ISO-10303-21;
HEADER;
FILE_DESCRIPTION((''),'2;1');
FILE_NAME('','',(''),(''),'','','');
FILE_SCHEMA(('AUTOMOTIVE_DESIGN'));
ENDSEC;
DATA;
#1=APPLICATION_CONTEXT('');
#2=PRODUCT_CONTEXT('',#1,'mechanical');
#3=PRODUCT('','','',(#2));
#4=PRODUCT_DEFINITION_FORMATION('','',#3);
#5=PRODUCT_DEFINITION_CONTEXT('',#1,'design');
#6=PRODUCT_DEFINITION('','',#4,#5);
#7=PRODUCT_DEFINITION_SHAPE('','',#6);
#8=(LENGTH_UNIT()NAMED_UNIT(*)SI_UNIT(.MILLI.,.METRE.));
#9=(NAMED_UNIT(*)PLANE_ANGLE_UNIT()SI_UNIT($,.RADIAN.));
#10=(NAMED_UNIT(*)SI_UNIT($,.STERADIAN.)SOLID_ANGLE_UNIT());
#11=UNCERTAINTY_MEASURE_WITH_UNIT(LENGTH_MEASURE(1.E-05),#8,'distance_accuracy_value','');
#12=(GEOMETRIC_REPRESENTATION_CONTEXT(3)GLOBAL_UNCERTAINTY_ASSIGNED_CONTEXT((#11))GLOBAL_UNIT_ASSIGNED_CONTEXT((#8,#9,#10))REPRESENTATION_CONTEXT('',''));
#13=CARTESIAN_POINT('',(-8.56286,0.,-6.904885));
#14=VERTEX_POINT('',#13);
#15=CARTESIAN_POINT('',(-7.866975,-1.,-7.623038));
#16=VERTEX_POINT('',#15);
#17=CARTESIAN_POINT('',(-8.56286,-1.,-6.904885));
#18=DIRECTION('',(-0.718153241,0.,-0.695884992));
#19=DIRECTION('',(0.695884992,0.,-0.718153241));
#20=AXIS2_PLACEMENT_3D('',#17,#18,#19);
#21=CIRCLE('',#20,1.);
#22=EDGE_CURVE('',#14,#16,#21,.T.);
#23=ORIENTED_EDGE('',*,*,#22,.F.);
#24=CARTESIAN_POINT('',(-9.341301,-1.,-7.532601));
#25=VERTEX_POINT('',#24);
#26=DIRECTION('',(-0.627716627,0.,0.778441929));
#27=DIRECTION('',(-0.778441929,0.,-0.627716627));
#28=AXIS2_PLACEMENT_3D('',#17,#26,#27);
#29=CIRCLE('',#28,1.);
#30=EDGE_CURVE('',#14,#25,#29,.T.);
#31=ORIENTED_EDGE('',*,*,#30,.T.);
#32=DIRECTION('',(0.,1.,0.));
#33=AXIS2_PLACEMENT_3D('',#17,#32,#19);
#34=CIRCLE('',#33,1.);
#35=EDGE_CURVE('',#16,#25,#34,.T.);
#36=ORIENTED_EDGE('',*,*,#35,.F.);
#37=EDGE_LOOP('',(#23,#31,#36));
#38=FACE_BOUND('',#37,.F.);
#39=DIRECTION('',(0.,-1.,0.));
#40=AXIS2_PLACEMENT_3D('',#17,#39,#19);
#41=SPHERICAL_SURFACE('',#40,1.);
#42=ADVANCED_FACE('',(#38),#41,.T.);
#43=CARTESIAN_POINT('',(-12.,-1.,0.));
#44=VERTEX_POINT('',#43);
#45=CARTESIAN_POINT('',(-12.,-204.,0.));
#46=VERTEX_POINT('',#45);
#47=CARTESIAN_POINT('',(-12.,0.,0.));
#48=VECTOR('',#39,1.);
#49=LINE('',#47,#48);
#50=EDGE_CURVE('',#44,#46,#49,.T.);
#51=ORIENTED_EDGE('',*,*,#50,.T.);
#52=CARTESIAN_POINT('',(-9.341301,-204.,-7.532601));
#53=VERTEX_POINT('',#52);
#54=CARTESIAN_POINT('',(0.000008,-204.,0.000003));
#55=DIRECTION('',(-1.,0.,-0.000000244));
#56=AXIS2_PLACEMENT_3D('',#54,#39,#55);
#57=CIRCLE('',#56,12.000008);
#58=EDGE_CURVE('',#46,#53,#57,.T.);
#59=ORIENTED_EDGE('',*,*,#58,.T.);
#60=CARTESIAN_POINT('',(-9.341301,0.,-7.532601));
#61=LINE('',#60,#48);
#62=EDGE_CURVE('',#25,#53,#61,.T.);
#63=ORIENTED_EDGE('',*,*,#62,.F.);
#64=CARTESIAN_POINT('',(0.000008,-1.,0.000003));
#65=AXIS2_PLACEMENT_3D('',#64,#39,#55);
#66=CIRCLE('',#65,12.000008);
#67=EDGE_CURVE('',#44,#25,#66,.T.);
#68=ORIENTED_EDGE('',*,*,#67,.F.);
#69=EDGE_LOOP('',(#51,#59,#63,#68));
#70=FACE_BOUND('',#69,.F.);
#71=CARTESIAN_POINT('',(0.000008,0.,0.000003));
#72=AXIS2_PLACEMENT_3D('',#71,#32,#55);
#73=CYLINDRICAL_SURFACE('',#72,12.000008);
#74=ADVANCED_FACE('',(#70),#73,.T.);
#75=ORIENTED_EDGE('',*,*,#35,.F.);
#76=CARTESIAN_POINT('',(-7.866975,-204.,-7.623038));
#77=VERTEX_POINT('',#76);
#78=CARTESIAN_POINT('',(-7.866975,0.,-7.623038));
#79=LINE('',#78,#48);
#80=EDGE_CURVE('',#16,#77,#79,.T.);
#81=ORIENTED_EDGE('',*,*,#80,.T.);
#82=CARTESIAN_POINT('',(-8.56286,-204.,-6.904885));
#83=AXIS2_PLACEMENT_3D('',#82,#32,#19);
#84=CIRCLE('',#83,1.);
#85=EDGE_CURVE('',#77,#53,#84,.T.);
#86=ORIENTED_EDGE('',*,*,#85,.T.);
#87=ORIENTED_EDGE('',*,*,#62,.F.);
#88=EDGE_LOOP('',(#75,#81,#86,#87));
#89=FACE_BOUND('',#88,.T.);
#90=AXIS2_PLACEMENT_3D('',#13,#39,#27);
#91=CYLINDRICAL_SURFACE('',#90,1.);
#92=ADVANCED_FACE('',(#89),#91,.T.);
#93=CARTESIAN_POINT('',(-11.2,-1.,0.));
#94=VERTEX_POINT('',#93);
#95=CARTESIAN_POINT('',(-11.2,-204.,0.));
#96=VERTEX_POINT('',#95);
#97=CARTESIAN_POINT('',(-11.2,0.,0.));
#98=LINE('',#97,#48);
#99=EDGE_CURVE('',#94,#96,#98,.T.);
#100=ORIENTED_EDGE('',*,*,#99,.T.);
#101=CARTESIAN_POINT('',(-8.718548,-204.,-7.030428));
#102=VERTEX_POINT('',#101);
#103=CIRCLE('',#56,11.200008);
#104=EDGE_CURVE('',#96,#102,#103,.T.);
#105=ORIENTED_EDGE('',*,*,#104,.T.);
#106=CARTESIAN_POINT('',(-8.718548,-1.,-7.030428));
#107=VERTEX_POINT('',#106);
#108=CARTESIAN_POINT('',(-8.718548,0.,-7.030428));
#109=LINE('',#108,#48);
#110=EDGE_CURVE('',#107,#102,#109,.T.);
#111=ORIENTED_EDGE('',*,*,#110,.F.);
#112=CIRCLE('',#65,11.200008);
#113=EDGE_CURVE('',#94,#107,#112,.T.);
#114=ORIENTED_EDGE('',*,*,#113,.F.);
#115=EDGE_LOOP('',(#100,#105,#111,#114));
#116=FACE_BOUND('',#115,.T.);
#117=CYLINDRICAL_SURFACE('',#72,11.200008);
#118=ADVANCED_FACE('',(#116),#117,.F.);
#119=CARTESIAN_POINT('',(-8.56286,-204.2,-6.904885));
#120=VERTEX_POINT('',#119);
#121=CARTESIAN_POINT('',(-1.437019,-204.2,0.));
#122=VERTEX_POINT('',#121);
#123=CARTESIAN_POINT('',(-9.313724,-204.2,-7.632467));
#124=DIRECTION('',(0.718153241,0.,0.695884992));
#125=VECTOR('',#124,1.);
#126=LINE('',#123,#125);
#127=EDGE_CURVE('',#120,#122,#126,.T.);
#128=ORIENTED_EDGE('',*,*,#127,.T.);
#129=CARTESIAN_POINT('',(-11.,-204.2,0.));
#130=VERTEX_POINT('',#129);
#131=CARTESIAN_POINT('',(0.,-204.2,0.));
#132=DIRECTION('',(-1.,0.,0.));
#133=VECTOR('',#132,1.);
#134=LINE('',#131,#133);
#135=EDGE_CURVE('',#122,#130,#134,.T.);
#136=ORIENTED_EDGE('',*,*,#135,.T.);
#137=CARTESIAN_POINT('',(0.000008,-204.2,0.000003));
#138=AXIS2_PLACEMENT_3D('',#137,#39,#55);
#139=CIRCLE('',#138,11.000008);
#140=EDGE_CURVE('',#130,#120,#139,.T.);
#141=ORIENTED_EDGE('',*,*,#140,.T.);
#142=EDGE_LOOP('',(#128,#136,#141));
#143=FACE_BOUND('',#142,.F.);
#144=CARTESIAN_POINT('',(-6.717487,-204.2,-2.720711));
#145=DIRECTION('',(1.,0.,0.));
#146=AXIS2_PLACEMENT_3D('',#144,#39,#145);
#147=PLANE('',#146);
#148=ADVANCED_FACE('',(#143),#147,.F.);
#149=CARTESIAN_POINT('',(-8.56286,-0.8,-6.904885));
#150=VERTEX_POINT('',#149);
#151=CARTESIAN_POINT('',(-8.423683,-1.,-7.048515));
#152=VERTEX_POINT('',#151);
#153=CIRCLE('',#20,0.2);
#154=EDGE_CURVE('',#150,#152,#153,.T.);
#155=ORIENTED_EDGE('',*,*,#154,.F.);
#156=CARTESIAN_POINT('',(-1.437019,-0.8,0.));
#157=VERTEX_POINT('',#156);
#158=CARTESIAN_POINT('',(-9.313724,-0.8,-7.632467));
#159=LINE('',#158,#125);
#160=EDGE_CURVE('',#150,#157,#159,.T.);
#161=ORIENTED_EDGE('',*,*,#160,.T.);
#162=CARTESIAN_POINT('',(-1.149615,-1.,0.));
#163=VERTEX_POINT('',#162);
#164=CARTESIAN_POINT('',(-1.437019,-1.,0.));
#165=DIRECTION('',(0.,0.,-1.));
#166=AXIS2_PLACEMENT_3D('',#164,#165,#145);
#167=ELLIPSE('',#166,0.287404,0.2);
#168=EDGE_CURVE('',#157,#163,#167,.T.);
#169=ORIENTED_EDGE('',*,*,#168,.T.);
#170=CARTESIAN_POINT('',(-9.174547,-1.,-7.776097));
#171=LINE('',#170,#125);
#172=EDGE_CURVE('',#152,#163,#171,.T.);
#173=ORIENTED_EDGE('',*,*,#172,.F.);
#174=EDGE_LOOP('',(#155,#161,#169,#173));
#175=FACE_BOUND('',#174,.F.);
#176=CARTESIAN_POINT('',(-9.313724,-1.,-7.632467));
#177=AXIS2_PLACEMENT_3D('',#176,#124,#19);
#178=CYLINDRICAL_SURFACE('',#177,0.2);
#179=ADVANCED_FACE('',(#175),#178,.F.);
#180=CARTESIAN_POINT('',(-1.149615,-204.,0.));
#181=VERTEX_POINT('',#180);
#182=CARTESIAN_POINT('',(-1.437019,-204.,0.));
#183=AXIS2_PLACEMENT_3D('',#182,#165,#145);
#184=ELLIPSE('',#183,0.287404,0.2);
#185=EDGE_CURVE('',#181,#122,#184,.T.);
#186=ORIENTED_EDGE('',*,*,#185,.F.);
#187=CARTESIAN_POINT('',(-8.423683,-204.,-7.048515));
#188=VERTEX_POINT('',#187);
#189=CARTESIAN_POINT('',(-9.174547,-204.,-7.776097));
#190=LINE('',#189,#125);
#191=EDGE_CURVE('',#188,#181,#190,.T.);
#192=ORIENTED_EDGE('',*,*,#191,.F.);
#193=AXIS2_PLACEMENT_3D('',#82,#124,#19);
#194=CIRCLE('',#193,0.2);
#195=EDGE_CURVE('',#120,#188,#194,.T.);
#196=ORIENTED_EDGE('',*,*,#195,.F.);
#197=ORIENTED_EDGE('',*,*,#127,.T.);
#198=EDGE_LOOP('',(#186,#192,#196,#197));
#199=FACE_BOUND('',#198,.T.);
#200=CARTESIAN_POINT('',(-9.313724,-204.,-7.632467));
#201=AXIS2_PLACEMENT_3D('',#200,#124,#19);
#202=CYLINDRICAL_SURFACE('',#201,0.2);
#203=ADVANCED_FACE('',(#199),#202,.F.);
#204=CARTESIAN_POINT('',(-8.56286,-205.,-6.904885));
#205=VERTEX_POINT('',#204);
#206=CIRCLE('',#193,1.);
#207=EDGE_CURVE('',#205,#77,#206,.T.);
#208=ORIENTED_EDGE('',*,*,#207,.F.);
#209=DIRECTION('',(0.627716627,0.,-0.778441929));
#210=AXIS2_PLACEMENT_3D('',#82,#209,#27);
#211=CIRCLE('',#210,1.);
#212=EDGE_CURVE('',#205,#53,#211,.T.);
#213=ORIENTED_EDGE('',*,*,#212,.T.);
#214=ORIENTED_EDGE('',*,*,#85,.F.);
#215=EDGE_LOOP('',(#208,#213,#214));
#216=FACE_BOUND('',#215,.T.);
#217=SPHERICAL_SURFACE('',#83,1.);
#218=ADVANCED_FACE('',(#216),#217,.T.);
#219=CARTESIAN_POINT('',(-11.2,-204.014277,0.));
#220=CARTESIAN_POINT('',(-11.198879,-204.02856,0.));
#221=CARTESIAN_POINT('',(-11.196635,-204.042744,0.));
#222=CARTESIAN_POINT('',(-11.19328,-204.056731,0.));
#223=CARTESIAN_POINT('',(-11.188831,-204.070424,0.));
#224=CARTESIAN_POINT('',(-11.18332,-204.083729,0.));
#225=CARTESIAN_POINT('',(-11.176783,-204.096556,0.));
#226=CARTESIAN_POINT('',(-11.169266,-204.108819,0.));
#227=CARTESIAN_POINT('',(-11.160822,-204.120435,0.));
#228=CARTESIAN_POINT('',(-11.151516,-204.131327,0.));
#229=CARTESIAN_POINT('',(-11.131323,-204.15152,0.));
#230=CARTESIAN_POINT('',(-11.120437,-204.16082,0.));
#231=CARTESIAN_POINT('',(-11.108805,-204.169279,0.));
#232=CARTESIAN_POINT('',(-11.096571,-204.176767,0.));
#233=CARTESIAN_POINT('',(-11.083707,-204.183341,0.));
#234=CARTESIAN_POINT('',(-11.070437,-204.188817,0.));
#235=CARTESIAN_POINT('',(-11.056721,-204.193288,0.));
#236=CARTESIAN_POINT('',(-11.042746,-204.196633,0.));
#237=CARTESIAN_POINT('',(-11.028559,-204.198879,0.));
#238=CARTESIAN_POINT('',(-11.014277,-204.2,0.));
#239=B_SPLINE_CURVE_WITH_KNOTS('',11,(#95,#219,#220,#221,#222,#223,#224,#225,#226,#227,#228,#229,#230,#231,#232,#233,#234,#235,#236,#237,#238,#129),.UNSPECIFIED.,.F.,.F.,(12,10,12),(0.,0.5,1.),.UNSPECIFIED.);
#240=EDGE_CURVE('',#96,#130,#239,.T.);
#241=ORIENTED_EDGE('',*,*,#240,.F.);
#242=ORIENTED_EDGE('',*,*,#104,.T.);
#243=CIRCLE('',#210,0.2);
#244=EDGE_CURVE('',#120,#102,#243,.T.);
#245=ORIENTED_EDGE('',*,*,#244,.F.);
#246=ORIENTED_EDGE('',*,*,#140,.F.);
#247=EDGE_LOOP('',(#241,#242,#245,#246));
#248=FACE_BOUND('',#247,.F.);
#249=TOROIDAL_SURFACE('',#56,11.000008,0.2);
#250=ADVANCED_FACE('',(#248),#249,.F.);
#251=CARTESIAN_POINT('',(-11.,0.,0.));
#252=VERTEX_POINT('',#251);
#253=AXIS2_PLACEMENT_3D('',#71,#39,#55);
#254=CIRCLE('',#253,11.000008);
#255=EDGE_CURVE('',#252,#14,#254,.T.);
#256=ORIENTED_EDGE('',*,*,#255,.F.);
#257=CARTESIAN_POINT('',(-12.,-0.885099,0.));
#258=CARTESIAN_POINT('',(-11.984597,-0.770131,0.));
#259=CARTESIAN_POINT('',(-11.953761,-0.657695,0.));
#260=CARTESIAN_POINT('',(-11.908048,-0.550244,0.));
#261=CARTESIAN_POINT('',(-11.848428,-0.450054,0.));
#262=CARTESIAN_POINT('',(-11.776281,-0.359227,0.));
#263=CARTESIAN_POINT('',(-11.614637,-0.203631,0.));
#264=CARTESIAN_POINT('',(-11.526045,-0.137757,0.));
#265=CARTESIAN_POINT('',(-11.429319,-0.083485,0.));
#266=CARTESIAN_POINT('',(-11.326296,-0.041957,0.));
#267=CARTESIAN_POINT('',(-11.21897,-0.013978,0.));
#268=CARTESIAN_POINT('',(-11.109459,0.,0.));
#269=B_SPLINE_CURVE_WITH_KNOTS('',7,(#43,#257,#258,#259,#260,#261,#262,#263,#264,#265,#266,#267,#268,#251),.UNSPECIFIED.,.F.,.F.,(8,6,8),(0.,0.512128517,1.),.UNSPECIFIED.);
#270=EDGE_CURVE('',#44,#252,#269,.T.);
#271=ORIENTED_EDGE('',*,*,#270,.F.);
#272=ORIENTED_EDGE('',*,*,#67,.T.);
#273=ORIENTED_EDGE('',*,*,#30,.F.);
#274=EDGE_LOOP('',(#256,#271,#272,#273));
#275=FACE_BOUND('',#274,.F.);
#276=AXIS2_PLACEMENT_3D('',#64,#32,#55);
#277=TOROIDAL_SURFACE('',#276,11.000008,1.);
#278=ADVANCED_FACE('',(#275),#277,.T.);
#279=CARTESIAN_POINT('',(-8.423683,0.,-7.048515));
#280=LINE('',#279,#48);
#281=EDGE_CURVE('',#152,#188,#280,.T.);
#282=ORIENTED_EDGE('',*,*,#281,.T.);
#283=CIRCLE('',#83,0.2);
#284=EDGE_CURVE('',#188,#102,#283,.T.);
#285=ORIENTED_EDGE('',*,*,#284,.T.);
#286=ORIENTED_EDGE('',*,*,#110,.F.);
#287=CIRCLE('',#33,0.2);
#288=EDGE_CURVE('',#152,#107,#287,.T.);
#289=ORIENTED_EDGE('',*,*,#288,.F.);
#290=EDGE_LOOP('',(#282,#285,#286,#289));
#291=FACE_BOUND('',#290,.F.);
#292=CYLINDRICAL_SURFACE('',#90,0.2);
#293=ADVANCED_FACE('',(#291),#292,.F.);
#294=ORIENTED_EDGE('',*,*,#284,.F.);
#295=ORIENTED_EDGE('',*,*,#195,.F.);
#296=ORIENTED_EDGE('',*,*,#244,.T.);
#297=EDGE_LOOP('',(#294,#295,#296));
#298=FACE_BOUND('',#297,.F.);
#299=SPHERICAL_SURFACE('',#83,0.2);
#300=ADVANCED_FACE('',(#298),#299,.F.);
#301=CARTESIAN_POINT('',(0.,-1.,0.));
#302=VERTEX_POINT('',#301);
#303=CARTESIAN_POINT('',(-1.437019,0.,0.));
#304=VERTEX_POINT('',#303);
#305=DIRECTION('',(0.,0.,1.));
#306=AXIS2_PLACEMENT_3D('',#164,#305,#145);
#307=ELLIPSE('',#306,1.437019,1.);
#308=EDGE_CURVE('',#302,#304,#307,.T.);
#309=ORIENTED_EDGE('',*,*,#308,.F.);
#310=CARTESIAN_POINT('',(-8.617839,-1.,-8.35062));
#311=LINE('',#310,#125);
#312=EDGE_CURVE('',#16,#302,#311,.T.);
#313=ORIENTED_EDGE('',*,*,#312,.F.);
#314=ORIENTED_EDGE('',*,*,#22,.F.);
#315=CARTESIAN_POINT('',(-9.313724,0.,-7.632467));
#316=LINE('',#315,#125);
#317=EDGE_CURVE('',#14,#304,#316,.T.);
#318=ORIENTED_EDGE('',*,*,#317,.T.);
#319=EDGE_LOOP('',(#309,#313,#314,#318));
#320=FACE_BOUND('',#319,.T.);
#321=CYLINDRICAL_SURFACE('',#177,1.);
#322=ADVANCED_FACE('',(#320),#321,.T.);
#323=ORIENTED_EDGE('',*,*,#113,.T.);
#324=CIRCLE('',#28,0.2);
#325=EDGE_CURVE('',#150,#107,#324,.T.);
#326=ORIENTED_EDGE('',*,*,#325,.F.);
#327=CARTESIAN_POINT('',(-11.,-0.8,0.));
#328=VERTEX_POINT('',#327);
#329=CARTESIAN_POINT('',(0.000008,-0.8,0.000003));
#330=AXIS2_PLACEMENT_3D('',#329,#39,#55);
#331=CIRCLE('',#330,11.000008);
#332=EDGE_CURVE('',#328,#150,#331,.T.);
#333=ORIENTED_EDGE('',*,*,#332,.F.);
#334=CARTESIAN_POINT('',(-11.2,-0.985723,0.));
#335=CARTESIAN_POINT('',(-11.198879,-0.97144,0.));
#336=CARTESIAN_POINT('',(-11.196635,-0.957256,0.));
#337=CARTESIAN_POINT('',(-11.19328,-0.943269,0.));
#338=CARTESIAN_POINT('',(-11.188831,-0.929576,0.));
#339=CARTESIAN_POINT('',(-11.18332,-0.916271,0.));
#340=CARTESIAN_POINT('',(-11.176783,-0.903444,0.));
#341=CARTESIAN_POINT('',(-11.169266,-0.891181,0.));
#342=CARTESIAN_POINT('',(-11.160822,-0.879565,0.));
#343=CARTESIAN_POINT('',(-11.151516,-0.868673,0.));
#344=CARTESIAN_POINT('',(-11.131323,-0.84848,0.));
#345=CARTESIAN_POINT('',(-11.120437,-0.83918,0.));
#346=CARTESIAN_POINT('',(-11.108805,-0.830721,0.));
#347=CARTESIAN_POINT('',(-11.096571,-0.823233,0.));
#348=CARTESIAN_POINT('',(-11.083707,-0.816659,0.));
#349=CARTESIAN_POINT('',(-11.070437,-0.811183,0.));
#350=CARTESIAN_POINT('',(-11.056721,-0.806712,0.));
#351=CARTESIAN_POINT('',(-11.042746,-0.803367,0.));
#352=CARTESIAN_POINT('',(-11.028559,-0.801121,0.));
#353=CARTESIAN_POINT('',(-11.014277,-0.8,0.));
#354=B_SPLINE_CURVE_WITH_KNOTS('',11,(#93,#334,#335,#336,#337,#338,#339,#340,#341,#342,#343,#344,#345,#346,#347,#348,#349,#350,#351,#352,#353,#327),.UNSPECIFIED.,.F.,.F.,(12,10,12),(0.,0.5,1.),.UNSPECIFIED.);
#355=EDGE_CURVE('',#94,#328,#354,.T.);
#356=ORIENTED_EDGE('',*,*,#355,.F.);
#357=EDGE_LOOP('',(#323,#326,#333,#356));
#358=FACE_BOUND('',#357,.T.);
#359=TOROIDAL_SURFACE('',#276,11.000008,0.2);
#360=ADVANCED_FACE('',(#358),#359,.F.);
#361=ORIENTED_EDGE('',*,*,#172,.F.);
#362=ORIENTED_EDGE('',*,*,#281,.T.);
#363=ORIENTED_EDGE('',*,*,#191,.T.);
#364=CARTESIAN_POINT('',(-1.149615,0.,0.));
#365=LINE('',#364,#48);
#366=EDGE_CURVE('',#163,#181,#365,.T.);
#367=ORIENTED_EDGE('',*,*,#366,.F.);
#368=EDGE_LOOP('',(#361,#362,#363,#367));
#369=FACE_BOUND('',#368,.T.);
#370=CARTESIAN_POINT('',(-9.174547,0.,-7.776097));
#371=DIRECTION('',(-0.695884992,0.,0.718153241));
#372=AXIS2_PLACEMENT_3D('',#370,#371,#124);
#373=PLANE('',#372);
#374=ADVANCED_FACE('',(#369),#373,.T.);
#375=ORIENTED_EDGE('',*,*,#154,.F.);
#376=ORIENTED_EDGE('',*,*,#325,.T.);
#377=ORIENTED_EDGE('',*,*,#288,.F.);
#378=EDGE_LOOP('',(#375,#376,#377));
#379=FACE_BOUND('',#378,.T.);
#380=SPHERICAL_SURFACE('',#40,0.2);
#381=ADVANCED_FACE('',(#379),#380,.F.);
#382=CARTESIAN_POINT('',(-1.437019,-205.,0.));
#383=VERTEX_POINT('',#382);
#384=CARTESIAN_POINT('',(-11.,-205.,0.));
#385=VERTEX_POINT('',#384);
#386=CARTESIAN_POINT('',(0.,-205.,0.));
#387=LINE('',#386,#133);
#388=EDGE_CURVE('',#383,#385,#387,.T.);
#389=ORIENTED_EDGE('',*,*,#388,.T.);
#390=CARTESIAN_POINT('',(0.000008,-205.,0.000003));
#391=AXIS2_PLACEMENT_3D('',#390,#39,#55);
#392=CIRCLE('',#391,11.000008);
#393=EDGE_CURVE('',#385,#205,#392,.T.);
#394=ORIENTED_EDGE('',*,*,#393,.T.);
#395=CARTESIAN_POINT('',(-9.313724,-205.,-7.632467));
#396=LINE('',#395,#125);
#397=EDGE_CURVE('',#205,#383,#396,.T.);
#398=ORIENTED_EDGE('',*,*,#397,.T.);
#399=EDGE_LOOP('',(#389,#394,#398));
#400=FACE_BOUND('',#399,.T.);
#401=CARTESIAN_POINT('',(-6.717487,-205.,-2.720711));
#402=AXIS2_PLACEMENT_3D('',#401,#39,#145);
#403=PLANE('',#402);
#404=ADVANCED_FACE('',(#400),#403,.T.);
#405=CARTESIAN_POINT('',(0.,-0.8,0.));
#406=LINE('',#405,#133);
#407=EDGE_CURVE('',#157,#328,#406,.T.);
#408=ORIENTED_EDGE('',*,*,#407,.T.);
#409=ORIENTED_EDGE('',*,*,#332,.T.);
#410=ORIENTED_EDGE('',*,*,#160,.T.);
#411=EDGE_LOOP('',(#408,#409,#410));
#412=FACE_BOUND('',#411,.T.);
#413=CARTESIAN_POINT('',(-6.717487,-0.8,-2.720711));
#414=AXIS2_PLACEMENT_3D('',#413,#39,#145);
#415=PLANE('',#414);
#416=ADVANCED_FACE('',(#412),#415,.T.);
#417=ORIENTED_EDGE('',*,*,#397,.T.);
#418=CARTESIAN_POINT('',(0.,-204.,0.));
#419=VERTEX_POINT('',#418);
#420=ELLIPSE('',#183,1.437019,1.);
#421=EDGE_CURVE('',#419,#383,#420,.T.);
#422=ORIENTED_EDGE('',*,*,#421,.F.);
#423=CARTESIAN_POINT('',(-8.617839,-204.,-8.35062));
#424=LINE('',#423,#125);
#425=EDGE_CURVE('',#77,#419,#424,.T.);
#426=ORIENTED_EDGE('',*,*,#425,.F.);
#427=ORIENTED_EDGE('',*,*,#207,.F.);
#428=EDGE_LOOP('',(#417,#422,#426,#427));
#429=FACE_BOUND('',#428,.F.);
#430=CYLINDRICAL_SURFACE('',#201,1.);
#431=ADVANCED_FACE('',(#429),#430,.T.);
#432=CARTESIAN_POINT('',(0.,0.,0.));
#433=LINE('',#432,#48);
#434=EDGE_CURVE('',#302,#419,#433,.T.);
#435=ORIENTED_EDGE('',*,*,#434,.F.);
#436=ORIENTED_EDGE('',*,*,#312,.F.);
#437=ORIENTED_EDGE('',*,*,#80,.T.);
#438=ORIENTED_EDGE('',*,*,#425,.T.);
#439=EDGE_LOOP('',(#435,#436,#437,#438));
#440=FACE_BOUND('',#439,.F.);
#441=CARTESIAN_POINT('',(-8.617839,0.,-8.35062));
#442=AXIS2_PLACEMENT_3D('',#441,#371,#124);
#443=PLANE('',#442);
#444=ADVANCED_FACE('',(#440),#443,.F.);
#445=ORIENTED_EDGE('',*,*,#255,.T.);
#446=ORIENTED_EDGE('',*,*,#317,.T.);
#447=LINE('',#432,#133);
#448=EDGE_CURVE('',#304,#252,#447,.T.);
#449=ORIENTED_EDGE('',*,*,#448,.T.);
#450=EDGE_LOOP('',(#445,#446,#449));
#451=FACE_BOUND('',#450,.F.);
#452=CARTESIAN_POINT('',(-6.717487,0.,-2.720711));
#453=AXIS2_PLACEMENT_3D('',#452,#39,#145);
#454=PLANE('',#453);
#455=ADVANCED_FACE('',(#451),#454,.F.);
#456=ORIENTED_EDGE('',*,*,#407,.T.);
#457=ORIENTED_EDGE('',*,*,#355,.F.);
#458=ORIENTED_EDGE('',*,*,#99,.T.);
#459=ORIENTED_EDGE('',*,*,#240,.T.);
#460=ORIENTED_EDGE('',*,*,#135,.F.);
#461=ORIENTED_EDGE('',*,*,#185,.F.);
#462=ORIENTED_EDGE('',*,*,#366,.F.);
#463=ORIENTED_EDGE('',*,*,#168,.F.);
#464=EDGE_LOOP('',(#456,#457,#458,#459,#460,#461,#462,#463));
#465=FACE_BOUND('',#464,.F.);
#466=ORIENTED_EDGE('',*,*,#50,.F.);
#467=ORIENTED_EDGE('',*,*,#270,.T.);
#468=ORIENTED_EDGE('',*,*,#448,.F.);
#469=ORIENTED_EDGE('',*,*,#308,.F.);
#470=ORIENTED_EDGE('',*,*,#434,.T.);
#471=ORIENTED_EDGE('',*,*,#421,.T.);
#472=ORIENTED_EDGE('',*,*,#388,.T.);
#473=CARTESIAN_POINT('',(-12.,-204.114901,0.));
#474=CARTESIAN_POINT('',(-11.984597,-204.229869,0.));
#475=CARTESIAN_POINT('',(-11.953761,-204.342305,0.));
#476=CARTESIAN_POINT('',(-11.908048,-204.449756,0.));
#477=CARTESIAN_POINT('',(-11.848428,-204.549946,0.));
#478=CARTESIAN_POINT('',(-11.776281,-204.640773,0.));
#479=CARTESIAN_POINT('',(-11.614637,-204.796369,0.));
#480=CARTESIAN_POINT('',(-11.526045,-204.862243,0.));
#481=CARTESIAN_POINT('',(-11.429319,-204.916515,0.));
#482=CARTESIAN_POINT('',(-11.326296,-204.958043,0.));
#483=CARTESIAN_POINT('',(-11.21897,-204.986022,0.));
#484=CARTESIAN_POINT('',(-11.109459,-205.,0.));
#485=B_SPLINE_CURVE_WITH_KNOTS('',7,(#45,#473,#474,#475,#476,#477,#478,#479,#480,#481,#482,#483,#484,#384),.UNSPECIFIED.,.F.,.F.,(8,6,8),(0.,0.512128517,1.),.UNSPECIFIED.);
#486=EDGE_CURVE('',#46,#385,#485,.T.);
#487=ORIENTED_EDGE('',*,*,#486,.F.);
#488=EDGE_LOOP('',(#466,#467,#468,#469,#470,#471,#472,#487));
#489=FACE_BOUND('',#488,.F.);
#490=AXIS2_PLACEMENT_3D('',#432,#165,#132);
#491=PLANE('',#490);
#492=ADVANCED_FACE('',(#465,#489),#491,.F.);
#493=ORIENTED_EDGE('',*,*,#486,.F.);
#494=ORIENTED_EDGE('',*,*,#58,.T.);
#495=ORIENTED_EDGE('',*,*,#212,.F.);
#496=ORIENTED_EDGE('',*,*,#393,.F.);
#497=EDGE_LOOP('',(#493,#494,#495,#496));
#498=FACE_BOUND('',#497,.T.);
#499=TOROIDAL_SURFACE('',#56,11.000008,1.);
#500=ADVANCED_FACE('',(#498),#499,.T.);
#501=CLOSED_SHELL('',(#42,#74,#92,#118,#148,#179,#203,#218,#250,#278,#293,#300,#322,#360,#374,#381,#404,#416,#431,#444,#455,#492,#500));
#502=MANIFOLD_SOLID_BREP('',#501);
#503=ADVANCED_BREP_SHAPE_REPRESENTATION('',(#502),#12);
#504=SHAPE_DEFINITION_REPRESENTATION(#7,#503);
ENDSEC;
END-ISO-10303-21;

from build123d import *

# Parameters (mm, degrees)
F1_DEPTH = 205
F2_R     = 1
F3_T     = -0.8


with BuildPart() as f1:
    # F0 (on Front) → F1 (new body)
    with BuildSketch(Plane.XZ):
        with BuildLine():
            Line((0, 0), (-12, 0))
            ThreePointArc((-12, 0), (-11.122366, -4.504771), (-8.617839, -8.35062))
            Line((-8.617839, -8.35062), (0, 0))
        make_face()
    extrude(amount=F1_DEPTH)

    # F2
    f2_edges = [f1.edges().sort_by_distance(p)[0] for p in [
        (-8.617839, -102.5, -8.35062),
        (-4.30892, -205, -4.17531),
        (-11.122366, -205, -4.504771),
        (-4.30892, 0, -4.17531),
        (-11.122366, 0, -4.504771),
    ]]
    fillet(f2_edges, radius=F2_R)

    # F3
    f3_openings = [f1.faces().sort_by_distance(p)[0] for p in [
        (-6.000416, -102.5, 0),
    ]]
    offset(amount=F3_T, openings=f3_openings)


solid = f1.part
